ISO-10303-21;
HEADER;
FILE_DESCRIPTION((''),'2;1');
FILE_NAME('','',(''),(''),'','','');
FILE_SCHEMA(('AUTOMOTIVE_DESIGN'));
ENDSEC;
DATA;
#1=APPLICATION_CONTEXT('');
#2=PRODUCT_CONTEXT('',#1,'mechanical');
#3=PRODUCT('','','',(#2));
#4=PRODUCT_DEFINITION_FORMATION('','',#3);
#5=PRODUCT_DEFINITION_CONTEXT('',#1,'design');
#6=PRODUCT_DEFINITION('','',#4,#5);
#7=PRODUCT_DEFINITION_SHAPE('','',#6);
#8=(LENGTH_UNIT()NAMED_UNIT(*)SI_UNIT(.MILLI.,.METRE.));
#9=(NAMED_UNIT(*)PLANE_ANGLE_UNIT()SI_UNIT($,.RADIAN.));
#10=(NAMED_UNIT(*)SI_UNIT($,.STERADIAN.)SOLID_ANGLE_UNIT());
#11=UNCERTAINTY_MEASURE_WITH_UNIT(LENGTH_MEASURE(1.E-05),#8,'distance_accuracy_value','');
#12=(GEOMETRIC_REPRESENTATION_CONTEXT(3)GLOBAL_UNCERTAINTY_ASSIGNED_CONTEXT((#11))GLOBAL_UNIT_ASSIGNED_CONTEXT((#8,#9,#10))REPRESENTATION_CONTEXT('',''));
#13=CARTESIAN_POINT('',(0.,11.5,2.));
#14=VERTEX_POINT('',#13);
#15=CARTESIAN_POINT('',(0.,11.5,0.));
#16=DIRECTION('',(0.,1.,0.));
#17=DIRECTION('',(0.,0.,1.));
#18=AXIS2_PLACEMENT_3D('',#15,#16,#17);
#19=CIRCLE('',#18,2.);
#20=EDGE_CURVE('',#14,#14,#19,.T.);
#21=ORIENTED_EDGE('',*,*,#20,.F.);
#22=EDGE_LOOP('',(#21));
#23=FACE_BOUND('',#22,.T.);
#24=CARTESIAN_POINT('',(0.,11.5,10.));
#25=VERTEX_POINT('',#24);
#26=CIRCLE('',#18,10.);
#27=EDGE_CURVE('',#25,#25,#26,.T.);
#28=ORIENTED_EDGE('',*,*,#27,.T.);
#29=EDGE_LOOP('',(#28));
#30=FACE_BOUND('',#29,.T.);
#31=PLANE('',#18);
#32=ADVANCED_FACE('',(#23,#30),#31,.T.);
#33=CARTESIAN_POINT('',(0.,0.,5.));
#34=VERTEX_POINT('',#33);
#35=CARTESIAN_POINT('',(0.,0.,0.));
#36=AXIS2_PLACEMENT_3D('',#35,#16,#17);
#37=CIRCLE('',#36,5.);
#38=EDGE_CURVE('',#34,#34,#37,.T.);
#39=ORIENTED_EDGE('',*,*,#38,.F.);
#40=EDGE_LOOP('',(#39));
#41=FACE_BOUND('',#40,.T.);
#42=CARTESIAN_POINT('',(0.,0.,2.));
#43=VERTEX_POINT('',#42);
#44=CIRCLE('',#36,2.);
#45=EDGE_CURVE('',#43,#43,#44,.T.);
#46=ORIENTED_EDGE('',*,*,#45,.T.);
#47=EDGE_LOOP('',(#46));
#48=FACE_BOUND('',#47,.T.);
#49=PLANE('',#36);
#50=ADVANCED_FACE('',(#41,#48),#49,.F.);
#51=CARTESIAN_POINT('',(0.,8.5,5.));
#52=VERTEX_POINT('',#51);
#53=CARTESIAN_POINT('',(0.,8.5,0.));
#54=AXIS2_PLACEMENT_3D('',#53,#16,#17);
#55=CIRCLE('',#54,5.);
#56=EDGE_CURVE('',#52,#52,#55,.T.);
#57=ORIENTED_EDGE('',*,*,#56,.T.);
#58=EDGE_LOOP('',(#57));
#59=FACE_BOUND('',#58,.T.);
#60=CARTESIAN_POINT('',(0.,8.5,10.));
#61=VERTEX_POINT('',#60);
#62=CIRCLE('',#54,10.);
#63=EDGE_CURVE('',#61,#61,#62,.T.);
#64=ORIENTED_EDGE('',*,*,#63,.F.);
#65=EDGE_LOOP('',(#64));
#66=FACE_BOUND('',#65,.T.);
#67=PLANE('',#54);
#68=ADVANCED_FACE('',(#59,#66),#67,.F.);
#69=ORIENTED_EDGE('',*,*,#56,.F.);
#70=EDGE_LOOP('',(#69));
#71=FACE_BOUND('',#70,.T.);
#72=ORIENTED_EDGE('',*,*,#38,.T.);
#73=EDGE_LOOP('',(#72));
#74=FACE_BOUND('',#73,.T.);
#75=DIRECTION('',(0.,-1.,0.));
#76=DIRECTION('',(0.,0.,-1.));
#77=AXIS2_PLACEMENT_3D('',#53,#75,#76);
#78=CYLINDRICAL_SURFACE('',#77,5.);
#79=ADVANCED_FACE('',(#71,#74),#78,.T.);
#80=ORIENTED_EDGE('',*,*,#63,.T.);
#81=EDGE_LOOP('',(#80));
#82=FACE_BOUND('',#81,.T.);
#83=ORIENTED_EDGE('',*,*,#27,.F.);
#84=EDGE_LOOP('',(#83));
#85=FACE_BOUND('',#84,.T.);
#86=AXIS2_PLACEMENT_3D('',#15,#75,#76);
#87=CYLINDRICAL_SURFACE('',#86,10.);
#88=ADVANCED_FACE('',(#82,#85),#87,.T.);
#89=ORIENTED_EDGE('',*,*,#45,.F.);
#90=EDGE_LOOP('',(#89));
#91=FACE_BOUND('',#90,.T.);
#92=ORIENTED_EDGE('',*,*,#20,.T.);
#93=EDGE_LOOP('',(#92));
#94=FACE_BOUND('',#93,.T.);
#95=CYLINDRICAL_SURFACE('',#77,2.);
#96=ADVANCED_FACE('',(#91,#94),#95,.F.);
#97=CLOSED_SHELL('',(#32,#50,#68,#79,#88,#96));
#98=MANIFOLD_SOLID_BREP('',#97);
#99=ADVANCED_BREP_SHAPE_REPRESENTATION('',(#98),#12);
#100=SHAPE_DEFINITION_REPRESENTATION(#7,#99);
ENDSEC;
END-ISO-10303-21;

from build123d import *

# Parameters (mm, degrees)
SKETCH_1_R      = 5
SKETCH_1_R_2    = 2
EXTRUDE_1_DEPTH = 8.5
SKETCH_2_R      = 10
SKETCH_2_R_2    = 2
EXTRUDE_2_DEPTH = 3


with BuildPart() as part:
    # 草图1 → 凸台-拉伸1 (new body)
    with BuildSketch(Plane(origin=(0, 0, 0), x_dir=(1, 0, 0), z_dir=(0, 1, 0))):
        with Locations(Location((0, 0, 0), (0, 0, 270))):
            Circle(SKETCH_1_R)
        with Locations(Location((0, 0, 0), (0, 0, 270))):
            Circle(SKETCH_1_R_2, mode=Mode.SUBTRACT)
    extrude(amount=EXTRUDE_1_DEPTH)

    # 草图2 → 凸台-拉伸2 (add)
    with BuildSketch(Plane(origin=(0, 8.5, 0), x_dir=(1, 0, 0), z_dir=(0, 1, 0))):
        with Locations(Location((0, 0, 0), (0, 0, 270))):
            Circle(SKETCH_2_R)
        with Locations(Location((0, 0, 0), (0, 0, 270))):
            Circle(SKETCH_2_R_2, mode=Mode.SUBTRACT)
    extrude(amount=EXTRUDE_2_DEPTH)


solid = part.part
